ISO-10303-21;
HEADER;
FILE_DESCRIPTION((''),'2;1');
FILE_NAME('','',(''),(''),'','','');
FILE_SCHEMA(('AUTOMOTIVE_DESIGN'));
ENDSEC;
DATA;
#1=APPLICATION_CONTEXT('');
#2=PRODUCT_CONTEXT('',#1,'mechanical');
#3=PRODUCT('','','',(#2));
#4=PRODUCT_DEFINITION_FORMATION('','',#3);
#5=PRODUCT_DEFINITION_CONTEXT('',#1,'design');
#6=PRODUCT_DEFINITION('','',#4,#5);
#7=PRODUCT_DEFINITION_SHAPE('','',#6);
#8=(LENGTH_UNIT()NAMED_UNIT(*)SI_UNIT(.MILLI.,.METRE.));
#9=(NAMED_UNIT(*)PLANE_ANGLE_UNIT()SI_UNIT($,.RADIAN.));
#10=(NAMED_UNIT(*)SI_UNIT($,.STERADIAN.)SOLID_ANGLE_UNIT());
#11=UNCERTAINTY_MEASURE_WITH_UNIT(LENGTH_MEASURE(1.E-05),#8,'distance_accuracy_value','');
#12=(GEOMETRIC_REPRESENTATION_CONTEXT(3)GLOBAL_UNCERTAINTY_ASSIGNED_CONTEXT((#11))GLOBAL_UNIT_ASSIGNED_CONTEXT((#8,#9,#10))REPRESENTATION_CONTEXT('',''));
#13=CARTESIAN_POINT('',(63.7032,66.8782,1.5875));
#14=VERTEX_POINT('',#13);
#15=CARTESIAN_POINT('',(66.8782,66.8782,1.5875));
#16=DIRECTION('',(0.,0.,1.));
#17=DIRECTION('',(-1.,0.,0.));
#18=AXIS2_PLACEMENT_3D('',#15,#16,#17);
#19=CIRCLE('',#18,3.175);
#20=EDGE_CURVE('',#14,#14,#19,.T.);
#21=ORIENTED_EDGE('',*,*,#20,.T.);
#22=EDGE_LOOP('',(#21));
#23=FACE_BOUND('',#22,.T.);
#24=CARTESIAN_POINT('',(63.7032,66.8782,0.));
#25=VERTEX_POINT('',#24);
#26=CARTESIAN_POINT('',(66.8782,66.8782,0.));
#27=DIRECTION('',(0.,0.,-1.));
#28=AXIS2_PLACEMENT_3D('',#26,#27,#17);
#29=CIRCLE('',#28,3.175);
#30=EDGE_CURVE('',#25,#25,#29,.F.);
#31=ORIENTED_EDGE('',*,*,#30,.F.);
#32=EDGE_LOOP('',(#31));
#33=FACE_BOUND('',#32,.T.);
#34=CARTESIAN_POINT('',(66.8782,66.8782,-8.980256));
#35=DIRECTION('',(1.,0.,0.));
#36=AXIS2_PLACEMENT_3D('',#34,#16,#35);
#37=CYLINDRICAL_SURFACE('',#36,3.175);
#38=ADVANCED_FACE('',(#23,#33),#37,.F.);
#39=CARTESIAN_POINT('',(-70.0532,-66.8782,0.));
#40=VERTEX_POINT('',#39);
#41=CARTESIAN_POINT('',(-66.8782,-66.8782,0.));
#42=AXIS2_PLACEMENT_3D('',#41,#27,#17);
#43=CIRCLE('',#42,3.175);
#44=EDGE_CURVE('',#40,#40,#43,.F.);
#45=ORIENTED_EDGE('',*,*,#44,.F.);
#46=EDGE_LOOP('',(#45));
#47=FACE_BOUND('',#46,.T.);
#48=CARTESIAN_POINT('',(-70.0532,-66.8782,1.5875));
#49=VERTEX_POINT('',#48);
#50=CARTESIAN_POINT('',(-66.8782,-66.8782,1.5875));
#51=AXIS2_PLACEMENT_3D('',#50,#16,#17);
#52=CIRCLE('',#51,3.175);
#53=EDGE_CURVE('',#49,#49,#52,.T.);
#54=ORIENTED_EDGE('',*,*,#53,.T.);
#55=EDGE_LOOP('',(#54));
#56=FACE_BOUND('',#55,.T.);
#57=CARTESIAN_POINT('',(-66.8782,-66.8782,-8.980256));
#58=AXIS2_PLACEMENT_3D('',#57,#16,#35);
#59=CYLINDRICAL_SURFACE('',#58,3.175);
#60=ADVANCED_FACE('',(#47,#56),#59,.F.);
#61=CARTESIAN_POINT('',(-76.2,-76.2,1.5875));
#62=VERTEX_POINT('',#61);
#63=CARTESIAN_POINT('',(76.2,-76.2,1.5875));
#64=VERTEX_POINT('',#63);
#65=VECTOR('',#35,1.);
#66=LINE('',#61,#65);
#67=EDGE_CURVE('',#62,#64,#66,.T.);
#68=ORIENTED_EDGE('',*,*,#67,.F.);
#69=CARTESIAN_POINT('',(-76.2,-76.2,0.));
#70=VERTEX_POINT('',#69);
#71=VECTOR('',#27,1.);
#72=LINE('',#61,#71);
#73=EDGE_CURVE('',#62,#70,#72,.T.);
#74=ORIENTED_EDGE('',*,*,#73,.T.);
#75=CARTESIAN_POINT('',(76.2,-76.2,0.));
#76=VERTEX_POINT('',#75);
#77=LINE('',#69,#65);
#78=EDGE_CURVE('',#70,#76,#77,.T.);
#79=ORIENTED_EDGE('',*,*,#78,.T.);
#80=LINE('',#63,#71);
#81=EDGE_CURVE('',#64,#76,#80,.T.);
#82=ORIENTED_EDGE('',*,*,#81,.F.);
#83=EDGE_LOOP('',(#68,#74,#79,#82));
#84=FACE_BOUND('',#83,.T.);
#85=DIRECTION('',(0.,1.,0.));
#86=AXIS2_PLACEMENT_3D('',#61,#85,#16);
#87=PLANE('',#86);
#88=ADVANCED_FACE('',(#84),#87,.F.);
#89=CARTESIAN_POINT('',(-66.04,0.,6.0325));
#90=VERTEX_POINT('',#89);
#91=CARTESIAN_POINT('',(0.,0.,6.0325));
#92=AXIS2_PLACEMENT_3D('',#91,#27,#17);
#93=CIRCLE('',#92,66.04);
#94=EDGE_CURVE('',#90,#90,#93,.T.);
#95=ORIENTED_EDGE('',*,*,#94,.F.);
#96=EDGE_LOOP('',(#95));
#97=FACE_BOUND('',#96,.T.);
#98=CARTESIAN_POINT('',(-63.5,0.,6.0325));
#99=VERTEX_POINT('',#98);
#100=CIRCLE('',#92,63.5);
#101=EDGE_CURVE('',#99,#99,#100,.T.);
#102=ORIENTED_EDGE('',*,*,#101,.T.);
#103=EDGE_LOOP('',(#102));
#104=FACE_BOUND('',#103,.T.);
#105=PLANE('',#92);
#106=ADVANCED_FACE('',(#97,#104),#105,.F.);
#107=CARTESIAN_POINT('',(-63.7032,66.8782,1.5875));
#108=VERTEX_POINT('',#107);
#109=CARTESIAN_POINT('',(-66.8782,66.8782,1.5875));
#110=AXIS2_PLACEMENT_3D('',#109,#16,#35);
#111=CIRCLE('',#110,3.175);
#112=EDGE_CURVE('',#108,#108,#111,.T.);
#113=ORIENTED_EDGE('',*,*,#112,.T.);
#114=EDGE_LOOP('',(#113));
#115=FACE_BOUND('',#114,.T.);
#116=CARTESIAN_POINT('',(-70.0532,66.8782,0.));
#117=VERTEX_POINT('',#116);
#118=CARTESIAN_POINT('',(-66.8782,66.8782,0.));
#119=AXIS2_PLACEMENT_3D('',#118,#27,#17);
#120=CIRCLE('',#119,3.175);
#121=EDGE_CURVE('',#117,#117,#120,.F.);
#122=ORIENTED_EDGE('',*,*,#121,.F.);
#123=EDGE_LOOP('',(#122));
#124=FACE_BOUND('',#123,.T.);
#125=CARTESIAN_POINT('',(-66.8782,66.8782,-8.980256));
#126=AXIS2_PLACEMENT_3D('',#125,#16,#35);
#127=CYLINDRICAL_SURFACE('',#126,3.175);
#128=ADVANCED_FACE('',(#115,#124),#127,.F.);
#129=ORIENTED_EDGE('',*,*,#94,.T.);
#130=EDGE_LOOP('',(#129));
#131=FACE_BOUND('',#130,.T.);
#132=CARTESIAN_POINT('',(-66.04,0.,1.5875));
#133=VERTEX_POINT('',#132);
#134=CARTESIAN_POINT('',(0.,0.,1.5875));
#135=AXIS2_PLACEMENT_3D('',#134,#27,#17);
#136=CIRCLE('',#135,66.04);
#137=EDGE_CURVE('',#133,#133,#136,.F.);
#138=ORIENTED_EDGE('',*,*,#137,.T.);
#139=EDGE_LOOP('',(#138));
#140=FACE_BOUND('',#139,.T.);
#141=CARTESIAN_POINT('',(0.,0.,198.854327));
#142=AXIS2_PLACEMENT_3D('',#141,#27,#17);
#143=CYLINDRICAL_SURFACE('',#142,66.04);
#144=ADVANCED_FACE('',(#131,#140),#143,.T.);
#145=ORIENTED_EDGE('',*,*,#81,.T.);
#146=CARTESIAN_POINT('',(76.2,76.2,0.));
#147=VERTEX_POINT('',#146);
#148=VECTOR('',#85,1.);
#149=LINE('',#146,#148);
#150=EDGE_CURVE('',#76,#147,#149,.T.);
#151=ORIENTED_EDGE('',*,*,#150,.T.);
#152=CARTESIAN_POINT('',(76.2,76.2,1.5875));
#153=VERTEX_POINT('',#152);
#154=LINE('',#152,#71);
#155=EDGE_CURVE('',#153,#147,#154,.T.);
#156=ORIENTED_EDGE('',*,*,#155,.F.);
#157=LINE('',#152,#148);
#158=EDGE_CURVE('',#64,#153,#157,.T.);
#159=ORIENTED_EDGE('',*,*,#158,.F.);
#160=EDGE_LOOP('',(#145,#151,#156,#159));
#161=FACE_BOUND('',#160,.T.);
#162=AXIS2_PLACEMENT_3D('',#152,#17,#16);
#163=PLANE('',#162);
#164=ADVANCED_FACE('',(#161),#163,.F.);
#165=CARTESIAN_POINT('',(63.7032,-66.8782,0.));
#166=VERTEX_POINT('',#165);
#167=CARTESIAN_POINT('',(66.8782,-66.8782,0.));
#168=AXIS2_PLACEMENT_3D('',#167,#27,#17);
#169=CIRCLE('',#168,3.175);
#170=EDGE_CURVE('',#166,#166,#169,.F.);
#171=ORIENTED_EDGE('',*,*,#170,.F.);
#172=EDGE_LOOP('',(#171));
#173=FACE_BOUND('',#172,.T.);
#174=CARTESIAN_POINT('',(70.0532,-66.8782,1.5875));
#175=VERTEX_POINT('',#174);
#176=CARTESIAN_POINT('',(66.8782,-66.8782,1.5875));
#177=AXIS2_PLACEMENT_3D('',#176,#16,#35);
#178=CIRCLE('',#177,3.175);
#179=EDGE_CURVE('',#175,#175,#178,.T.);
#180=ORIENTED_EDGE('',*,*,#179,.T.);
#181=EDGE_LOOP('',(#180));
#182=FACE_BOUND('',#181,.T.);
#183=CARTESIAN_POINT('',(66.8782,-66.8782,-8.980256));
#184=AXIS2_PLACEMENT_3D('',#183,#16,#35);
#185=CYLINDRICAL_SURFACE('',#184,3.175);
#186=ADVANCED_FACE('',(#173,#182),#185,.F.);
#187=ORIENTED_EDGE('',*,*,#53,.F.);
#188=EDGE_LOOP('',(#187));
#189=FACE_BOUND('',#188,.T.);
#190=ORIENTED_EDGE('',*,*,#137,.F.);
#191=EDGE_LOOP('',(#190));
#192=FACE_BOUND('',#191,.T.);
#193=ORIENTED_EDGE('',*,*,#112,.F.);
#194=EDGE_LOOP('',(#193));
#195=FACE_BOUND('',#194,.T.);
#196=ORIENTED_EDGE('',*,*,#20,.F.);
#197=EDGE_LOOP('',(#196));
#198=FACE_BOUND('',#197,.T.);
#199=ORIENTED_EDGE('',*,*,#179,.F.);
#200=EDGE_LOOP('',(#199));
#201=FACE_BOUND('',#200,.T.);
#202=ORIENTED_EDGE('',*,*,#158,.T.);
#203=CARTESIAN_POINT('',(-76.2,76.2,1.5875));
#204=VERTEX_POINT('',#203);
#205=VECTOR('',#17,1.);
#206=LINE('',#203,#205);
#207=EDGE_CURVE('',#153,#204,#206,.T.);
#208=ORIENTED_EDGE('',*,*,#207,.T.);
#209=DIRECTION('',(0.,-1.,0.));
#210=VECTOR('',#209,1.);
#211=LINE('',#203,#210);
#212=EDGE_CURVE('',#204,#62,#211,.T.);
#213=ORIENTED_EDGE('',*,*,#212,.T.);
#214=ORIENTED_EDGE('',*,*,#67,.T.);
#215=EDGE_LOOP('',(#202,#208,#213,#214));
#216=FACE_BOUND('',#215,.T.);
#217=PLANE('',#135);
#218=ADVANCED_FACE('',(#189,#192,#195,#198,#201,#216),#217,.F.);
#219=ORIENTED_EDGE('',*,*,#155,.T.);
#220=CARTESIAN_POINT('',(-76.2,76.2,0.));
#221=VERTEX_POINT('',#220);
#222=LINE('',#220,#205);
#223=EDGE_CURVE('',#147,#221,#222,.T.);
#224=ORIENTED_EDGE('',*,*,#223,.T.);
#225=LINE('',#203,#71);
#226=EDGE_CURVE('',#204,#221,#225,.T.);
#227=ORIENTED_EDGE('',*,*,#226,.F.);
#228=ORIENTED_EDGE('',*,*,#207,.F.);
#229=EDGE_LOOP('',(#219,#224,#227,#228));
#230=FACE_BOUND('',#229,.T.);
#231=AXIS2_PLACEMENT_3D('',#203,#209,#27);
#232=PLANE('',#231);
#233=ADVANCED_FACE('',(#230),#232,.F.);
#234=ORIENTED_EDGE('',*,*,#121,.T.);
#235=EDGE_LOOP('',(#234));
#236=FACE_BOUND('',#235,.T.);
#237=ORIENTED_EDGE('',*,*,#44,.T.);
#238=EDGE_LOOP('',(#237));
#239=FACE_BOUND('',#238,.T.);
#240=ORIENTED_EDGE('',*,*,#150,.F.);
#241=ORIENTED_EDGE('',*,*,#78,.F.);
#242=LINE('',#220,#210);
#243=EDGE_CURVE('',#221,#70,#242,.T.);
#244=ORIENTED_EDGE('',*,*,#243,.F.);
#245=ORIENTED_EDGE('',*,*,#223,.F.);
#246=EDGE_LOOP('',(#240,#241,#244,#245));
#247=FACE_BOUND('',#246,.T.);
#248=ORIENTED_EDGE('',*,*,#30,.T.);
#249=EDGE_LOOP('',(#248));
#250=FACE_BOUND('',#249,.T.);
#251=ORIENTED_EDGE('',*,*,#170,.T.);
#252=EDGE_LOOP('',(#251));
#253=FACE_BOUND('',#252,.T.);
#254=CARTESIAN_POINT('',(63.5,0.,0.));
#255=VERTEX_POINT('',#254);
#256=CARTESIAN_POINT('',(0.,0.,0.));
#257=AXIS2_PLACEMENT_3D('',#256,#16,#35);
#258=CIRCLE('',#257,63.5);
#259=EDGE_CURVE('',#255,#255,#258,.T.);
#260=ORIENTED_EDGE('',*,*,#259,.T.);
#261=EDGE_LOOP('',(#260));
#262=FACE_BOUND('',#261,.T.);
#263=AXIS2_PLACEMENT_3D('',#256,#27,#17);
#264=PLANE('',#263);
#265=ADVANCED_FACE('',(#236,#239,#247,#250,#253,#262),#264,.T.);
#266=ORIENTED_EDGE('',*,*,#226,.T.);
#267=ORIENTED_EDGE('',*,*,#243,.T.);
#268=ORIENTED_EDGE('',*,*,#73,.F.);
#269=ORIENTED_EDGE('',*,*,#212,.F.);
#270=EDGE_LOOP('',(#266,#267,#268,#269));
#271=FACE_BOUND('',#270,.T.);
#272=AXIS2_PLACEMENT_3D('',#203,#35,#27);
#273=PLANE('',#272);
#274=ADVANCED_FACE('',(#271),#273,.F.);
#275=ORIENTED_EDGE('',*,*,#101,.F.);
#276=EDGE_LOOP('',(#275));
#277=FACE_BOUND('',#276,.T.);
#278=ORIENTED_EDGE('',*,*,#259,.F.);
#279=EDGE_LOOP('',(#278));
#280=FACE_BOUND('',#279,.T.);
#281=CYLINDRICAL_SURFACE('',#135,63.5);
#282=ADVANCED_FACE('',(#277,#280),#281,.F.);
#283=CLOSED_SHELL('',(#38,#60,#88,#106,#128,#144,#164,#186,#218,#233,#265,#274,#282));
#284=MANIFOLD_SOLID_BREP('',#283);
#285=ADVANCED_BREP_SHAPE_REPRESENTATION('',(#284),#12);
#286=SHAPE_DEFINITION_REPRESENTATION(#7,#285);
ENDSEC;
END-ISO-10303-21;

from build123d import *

# Parameters (mm, degrees)
SKETCH1_W           = 152.4
SKETCH1_H           = 152.4
SKETCH1_R           = 63.5
BOSS_EXTRUDE1_DEPTH = 1.5875
SKETCH2_R           = 66.04
SKETCH2_R_2         = 63.5
BOSS_EXTRUDE2_DEPTH = 4.445
SKETCH3_R           = 3.175
CUT_EXTRUDE1_DEPTH  = 1.5875


with BuildPart() as part:
    # Sketch1 → Boss-Extrude1 (new body)
    with BuildSketch(Plane.XY):
        Rectangle(SKETCH1_W, SKETCH1_H)
        Circle(SKETCH1_R, mode=Mode.SUBTRACT)
    extrude(amount=BOSS_EXTRUDE1_DEPTH)

    # Sketch2 → Boss-Extrude2 (add)
    with BuildSketch(Plane.XY.offset(1.5875)):
        Circle(SKETCH2_R)
        Circle(SKETCH2_R_2, mode=Mode.SUBTRACT)
    extrude(amount=BOSS_EXTRUDE2_DEPTH)

    # Sketch3 → Cut-Extrude1 (cut)
    with BuildSketch(Plane.XY.offset(1.5875)):
        with Locations((66.8782, -66.8782)):
            Circle(SKETCH3_R)
        with Locations((-66.8782, -66.8782)):
            Circle(SKETCH3_R)
        with Locations((-66.8782, 66.8782)):
            Circle(SKETCH3_R)
        with Locations((66.8782, 66.8782)):
            Circle(SKETCH3_R)
    extrude(amount=-CUT_EXTRUDE1_DEPTH, mode=Mode.SUBTRACT)


solid = part.part
